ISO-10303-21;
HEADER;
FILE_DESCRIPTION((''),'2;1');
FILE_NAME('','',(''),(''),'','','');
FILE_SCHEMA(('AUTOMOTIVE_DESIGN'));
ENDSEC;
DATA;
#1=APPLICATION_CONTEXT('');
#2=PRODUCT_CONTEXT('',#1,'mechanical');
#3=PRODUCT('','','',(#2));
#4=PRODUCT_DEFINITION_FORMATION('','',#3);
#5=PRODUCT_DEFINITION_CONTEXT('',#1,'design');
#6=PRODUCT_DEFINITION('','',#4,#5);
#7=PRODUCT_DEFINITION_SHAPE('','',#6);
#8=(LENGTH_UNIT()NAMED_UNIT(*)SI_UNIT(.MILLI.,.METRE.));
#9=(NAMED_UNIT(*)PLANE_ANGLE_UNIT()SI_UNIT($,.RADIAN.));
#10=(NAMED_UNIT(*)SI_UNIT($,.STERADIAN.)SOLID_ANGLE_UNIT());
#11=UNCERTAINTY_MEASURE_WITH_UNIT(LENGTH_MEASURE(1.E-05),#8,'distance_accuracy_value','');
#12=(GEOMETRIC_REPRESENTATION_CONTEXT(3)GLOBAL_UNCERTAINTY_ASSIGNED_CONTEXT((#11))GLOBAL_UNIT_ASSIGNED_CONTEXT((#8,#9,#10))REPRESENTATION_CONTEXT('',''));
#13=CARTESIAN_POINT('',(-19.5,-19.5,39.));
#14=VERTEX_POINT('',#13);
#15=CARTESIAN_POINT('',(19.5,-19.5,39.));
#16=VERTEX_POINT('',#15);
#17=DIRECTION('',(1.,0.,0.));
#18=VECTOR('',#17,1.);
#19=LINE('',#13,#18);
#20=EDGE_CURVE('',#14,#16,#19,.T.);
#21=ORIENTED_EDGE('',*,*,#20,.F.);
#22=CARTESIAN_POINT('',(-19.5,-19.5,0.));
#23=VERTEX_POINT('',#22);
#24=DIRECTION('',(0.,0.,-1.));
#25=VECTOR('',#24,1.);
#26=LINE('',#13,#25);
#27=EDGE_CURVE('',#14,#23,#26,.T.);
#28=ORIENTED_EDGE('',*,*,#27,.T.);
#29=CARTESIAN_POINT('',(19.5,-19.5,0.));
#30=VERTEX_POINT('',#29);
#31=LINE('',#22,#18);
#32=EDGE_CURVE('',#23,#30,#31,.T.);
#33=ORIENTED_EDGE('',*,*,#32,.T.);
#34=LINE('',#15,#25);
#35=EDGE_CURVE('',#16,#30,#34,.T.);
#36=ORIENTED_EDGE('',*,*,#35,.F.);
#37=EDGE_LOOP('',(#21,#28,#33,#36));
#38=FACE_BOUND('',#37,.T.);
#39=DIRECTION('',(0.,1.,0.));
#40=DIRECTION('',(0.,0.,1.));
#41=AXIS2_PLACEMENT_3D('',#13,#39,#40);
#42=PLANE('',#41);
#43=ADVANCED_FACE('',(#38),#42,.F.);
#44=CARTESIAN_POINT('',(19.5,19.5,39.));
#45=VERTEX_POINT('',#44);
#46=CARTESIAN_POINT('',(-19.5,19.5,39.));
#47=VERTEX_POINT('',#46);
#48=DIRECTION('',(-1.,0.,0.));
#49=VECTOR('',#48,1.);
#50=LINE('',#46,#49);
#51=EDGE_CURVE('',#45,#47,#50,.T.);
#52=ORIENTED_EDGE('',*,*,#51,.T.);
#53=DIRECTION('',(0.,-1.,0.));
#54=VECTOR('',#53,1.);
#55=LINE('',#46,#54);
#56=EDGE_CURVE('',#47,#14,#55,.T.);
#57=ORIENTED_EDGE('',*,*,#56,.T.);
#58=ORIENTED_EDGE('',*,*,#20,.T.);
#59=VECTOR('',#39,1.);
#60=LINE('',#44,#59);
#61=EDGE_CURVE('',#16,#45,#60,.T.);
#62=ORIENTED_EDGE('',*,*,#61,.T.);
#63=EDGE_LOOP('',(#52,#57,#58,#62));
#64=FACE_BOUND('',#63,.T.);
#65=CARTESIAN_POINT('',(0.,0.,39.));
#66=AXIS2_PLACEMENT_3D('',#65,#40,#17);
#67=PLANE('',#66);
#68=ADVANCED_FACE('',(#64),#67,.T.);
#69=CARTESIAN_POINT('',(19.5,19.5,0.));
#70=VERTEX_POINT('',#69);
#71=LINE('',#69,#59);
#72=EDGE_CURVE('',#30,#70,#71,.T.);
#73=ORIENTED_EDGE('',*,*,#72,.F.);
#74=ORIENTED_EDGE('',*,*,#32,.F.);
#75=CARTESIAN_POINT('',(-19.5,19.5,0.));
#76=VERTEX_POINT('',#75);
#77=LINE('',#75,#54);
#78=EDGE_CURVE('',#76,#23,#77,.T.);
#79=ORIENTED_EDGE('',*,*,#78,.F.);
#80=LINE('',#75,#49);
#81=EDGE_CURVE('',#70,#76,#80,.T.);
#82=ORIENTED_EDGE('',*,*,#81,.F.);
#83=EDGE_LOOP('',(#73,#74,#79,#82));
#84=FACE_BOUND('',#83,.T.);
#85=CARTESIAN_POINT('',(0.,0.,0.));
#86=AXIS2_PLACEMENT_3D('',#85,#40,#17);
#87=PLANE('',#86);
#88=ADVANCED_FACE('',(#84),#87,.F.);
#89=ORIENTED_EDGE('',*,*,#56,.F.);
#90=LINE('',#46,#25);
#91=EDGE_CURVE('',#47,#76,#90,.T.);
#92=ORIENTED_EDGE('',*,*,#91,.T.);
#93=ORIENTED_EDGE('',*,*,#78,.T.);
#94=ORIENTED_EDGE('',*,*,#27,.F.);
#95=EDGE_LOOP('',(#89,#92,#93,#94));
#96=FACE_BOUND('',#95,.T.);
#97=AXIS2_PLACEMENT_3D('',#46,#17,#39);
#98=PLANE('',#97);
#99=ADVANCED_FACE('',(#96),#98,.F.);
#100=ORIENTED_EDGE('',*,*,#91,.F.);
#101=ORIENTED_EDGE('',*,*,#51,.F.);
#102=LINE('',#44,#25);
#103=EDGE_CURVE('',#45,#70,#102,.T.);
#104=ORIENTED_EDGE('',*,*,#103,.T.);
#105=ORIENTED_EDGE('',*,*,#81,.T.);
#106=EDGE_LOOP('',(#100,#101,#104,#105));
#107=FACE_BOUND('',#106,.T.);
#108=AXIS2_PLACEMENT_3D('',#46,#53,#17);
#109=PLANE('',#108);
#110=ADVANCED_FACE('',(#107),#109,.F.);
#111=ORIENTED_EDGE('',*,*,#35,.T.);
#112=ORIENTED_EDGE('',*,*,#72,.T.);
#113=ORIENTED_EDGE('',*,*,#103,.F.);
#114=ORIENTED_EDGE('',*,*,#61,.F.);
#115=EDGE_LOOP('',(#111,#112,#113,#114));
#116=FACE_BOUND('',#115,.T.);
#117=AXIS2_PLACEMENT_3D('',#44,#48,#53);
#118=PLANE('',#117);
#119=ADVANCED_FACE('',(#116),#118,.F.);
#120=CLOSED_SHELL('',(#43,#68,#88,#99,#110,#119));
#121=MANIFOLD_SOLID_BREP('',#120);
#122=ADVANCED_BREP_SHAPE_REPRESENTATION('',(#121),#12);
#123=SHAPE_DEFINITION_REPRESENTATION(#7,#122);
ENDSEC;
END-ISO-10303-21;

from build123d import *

# Parameters (mm, degrees)
SKETCH_1_W      = 39
SKETCH_1_H      = 39
EXTRUDE_1_DEPTH = 39


with BuildPart() as part:
    # 草圖1 → 填料-伸長1 (new body)
    with BuildSketch(Plane.XY):
        Rectangle(SKETCH_1_W, SKETCH_1_H)
    extrude(amount=EXTRUDE_1_DEPTH)


solid = part.part
